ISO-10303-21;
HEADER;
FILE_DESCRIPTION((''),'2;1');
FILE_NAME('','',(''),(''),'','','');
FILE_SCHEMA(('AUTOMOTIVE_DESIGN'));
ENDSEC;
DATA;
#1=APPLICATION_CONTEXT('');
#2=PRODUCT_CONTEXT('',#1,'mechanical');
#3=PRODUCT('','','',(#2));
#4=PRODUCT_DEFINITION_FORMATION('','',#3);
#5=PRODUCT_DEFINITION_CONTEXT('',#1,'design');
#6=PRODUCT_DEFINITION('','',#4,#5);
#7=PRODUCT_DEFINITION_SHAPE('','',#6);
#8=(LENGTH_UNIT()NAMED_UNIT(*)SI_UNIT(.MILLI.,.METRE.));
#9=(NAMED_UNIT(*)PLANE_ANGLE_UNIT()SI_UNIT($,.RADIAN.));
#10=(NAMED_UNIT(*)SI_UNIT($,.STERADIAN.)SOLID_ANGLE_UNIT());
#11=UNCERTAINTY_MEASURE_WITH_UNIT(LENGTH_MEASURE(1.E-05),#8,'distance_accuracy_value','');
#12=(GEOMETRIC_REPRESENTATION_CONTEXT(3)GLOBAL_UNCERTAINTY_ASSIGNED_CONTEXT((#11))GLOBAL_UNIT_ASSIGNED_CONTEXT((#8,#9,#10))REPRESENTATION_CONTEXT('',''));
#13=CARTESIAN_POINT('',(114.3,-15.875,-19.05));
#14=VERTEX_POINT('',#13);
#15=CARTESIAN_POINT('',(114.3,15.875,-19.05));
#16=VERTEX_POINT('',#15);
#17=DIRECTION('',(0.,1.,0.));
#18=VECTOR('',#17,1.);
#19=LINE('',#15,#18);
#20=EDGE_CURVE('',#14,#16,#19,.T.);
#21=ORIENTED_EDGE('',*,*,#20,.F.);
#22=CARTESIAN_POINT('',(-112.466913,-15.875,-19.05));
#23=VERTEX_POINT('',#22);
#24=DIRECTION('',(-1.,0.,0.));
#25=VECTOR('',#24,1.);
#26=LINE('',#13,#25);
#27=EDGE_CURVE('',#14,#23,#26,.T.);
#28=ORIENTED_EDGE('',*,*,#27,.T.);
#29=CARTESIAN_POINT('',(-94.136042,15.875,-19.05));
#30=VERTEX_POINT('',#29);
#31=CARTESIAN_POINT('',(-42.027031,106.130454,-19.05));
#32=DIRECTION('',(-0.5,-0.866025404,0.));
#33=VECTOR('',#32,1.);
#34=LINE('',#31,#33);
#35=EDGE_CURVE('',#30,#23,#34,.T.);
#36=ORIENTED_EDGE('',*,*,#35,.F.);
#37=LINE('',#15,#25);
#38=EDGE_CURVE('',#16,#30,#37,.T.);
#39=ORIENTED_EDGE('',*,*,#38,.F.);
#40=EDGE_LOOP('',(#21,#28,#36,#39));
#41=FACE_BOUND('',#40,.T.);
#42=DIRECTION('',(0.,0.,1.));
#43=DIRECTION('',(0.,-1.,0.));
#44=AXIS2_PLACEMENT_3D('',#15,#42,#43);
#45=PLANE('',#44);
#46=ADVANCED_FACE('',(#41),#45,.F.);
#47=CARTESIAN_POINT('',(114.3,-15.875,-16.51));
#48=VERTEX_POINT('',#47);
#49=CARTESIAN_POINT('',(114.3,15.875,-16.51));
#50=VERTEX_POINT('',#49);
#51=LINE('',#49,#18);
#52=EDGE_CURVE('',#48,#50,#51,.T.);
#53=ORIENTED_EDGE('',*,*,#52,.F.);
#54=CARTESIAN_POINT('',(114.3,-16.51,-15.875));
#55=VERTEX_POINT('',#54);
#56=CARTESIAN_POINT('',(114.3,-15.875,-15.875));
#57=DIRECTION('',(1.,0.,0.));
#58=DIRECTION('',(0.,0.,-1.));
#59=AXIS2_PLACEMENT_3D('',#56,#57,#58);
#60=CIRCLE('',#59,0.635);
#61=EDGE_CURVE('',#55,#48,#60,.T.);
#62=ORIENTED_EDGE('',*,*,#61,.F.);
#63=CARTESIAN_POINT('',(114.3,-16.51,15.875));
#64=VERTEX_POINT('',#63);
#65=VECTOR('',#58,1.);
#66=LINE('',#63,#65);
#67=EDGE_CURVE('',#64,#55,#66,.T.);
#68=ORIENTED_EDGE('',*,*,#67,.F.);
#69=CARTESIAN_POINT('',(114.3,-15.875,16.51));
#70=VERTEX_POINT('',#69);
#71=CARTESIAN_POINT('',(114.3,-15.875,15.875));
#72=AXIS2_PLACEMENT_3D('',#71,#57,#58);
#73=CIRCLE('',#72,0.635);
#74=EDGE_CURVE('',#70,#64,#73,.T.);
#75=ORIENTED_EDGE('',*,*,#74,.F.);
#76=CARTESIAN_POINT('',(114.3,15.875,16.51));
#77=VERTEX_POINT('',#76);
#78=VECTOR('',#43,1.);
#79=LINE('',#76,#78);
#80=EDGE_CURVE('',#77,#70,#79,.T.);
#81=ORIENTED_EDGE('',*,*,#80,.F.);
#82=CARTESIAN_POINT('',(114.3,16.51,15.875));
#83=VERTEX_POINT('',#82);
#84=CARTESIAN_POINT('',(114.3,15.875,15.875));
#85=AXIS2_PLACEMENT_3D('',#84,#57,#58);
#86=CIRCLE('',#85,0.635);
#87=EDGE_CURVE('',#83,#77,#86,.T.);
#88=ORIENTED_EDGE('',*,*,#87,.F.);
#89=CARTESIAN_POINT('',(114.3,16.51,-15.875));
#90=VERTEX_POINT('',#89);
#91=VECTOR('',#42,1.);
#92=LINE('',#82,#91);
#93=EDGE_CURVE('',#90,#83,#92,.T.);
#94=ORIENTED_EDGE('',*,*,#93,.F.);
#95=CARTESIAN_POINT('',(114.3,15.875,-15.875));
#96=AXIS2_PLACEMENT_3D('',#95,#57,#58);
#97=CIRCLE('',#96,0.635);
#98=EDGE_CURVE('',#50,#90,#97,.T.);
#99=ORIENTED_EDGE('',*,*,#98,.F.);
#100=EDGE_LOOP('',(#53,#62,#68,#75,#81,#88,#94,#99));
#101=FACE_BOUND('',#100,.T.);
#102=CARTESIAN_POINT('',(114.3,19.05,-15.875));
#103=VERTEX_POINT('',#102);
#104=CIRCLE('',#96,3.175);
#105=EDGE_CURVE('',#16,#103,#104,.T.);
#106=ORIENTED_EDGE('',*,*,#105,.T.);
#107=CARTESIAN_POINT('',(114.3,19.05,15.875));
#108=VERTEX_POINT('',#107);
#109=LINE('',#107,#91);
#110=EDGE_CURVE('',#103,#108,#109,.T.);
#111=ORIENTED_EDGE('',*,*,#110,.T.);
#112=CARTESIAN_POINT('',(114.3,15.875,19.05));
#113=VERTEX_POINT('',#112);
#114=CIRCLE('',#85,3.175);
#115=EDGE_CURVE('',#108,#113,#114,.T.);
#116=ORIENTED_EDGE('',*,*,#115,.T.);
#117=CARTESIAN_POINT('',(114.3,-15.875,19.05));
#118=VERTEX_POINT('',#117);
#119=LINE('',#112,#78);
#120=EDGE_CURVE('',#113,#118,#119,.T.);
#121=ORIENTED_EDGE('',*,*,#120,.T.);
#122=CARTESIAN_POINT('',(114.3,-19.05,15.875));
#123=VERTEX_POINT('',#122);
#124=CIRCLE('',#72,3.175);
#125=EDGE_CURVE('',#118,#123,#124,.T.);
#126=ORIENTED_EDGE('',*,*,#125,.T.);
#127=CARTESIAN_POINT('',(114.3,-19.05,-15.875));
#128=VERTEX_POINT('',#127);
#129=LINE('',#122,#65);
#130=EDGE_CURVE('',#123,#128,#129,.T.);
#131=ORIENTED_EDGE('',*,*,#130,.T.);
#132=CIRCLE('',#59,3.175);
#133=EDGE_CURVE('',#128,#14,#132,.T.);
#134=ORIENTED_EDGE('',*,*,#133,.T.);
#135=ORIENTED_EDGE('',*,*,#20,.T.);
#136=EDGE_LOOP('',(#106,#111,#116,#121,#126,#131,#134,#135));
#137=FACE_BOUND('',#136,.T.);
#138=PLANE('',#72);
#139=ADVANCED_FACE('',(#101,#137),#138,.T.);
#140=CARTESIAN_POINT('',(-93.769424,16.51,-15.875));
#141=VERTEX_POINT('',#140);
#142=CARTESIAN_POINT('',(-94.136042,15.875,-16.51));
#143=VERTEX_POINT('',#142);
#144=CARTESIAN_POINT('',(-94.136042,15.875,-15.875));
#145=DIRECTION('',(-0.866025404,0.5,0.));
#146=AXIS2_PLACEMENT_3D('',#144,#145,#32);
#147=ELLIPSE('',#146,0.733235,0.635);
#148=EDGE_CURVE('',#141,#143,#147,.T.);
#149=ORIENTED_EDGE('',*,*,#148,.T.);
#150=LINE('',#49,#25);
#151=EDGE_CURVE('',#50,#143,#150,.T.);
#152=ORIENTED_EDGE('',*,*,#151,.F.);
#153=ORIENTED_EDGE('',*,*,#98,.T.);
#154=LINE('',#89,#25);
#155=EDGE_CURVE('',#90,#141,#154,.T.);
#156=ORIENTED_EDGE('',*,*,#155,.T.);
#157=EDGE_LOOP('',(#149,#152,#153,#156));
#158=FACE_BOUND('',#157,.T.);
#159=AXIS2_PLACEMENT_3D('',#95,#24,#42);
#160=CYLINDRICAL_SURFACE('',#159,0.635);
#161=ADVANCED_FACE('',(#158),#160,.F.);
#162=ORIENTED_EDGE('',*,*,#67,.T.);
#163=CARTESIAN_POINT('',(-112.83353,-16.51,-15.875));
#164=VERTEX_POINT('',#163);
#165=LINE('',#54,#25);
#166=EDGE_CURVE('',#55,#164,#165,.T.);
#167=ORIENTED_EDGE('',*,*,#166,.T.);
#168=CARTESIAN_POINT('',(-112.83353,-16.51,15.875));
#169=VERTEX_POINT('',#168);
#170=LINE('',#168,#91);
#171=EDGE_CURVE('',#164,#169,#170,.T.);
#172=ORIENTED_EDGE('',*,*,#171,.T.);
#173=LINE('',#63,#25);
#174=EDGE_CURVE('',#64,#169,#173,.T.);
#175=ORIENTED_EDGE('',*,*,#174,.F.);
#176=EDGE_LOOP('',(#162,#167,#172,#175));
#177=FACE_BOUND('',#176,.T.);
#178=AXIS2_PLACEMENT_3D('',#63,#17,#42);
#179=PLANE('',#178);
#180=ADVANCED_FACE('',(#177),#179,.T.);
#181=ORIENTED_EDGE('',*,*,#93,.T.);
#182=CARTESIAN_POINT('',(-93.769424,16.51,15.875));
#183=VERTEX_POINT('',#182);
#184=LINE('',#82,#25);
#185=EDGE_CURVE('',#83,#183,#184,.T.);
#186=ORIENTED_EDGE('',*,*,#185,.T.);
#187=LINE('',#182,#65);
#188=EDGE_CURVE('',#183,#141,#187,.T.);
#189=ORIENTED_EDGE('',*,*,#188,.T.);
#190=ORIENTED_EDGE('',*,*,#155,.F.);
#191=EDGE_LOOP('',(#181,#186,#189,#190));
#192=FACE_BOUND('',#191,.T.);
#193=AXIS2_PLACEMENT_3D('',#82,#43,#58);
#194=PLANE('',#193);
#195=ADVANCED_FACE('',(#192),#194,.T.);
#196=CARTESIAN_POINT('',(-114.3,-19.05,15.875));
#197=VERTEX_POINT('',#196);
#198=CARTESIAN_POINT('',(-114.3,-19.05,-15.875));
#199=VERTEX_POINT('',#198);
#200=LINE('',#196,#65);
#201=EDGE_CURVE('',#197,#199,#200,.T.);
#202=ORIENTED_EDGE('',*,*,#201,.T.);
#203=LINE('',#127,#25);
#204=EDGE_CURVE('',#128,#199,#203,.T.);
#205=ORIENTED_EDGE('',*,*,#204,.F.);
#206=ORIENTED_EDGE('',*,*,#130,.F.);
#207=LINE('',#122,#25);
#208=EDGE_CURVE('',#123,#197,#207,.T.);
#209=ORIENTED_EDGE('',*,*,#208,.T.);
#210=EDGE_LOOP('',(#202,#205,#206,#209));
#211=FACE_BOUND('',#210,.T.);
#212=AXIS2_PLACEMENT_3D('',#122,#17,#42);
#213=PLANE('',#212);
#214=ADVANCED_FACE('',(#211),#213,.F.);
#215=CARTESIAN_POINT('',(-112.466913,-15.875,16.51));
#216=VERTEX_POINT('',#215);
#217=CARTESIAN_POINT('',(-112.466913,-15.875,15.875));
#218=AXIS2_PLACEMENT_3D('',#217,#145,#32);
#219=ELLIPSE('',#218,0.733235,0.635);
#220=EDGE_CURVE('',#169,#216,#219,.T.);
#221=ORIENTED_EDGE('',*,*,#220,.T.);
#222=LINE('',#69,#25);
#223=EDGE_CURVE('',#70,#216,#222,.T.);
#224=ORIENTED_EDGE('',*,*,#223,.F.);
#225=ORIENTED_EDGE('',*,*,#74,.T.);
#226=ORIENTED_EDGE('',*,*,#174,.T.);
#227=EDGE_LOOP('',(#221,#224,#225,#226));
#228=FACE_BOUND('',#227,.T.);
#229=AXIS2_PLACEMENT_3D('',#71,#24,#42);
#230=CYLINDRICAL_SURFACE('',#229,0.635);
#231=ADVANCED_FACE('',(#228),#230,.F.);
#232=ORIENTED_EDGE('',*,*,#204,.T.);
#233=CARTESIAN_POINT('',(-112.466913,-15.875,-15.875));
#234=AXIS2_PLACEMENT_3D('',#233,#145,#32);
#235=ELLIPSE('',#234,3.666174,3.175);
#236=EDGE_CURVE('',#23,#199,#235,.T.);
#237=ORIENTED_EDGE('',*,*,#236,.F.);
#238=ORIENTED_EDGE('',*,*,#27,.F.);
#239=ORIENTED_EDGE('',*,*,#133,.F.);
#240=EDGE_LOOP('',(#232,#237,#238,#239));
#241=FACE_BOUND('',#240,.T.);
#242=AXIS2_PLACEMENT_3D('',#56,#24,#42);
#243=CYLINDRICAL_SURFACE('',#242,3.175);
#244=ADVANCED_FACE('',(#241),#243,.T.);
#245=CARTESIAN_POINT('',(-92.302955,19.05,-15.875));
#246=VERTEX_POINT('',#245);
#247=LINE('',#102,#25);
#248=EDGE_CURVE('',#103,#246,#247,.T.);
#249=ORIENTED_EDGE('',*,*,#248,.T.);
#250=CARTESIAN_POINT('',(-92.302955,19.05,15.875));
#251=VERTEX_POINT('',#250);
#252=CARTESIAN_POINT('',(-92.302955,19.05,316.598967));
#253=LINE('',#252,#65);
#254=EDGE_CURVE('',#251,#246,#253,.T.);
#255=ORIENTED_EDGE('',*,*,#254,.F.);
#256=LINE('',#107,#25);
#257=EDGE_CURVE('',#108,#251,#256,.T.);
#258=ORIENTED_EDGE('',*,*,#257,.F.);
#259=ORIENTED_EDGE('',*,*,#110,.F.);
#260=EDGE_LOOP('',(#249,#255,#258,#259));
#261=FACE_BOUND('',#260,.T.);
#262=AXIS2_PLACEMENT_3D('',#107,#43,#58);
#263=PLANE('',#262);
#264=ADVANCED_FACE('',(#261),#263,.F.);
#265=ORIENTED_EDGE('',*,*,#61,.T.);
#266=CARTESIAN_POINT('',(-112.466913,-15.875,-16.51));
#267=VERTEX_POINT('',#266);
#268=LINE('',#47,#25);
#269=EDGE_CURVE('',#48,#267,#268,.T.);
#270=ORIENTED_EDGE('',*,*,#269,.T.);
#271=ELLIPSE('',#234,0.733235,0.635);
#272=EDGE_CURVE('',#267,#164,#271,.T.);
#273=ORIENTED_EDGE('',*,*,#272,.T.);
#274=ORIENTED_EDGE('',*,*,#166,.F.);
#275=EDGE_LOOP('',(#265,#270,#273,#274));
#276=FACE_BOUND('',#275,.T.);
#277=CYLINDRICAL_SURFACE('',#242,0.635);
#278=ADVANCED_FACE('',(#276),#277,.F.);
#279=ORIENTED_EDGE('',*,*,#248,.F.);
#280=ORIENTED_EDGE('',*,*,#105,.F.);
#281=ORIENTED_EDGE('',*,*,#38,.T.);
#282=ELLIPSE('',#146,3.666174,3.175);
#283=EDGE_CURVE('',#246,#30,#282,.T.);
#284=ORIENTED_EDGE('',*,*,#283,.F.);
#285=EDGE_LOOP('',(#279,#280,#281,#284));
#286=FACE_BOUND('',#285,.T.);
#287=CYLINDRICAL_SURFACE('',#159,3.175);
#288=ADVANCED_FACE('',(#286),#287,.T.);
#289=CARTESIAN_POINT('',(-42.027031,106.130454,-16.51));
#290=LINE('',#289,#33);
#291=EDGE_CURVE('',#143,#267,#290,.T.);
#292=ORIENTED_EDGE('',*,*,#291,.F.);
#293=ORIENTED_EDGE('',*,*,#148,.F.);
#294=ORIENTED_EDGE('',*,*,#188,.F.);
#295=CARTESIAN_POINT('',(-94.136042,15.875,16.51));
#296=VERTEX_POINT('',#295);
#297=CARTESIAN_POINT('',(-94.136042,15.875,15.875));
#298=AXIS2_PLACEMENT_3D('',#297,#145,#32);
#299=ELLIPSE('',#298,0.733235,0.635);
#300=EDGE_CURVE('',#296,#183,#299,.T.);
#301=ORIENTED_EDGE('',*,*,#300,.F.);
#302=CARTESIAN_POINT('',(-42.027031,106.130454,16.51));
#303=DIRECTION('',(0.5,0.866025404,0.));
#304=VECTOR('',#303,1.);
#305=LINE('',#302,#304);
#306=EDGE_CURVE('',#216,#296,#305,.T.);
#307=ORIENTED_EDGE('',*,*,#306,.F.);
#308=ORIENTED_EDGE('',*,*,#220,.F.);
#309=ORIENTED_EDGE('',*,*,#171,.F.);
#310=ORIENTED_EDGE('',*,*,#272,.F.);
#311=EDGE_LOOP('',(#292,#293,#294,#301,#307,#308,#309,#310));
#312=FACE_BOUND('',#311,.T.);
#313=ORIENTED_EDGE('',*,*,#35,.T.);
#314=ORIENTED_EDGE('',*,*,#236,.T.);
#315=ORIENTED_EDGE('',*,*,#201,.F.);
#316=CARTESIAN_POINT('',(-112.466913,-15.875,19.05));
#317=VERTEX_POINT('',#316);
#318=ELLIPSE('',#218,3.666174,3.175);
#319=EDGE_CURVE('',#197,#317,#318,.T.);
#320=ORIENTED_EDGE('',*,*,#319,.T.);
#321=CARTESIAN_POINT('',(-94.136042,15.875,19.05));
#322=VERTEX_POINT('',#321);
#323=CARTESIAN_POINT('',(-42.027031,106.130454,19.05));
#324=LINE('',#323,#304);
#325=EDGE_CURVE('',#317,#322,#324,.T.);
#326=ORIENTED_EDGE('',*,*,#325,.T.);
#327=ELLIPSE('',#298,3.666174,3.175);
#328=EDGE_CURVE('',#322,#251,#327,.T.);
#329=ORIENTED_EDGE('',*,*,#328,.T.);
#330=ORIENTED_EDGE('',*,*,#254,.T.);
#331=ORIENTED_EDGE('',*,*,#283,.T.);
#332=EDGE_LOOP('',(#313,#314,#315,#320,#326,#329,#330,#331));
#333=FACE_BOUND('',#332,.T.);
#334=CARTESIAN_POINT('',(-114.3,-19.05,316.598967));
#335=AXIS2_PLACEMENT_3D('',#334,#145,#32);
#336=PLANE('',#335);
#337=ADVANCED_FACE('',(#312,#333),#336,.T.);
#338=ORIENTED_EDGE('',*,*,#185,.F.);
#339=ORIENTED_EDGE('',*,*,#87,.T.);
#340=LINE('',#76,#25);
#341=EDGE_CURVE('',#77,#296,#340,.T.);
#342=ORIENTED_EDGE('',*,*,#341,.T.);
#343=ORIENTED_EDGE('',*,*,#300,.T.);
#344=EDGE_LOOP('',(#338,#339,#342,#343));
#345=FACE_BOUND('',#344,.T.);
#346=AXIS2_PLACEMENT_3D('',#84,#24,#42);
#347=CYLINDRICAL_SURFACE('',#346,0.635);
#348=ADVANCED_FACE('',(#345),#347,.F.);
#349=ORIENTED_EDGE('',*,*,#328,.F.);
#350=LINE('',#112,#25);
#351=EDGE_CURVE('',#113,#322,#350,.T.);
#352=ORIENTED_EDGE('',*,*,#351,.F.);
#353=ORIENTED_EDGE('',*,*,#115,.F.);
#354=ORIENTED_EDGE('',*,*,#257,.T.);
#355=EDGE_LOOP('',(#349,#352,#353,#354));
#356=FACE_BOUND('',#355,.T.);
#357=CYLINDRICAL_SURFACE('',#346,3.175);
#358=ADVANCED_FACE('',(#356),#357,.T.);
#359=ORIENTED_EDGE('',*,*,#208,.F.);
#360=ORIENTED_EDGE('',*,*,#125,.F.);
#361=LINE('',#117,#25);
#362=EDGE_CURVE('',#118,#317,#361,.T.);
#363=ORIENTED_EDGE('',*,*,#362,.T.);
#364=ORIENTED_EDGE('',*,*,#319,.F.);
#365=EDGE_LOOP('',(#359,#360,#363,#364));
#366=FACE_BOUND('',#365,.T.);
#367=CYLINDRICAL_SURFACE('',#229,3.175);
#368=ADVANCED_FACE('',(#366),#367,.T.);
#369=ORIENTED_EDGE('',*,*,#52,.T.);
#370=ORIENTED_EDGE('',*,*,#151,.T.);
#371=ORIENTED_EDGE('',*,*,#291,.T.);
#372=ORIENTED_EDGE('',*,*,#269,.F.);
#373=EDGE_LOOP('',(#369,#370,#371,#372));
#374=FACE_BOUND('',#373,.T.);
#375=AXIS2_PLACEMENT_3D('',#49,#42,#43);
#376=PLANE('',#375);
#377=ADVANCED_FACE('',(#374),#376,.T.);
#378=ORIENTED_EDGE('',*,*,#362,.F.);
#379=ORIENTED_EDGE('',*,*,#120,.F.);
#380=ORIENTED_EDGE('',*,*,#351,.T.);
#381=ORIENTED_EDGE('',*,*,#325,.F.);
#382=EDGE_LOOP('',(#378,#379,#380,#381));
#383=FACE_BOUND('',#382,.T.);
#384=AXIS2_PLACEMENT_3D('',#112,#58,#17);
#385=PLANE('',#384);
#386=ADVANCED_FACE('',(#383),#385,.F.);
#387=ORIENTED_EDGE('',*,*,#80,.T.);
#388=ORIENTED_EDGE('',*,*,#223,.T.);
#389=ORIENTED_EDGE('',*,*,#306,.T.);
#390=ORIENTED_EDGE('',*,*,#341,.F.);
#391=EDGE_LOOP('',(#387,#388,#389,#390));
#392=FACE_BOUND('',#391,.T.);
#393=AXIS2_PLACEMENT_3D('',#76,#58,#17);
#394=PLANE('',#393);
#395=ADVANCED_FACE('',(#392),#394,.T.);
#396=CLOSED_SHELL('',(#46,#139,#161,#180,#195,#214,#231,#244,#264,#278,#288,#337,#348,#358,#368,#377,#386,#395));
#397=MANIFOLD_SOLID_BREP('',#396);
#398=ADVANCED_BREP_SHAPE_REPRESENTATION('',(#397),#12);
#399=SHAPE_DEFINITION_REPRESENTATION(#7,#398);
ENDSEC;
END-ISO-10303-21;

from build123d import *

# Parameters (mm, degrees)
EXTRUDE_THIN1_DEPTH     = 114.3
CUT_EXTRUDE1_DEPTH      = 1
CUT_EXTRUDE1_DEPTH_BACK = 39.1


with BuildPart() as part:
    # Sketch1 → Extrude-Thin1 (new body, symmetric)
    with BuildSketch(Plane(origin=(0, 0, 0), x_dir=(0, 0, -1), z_dir=(1, 0, 0))):
        with BuildLine():
            Line((-15.875, 19.05), (15.875, 19.05))
            ThreePointArc((15.875, 19.05), (18.12006403, 18.12006403), (19.05, 15.875))
            Line((19.05, 15.875), (19.05, -15.875))
            ThreePointArc((19.05, -15.875), (18.12006403, -18.12006403), (15.875, -19.05))
            Line((15.875, -19.05), (-15.875, -19.05))
            ThreePointArc((-15.875, -19.05), (-18.12006403, -18.12006403), (-19.05, -15.875))
            Line((-19.05, -15.875), (-19.05, 15.875))
            ThreePointArc((-19.05, 15.875), (-18.12006403, 18.12006403), (-15.875, 19.05))
        make_face()
        with BuildLine():
            Line((-15.875, 16.51), (15.875, 16.51))
            ThreePointArc((15.875, 16.51), (16.324012806, 16.324012806), (16.51, 15.875))
            Line((16.51, 15.875), (16.51, -15.875))
            ThreePointArc((16.51, -15.875), (16.324012806, -16.324012806), (15.875, -16.51))
            Line((15.875, -16.51), (-15.875, -16.51))
            ThreePointArc((-15.875, -16.51), (-16.324012806, -16.324012806), (-16.51, -15.875))
            Line((-16.51, -15.875), (-16.51, 15.875))
            ThreePointArc((-16.51, 15.875), (-16.324012806, 16.324012806), (-15.875, 16.51))
        make_face(mode=Mode.SUBTRACT)
    extrude(amount=EXTRUDE_THIN1_DEPTH, both=True)

    # Sketch2 → Cut-Extrude1 (cut, two sides)
    with BuildSketch(Plane.XY.offset(19.05)) as cut_extrude1_sk:
        Polygon((-351.053252404, -429.118662022), (-114.3, -19.05), (-92.302954744, 19.05), (144.45029766, 429.118662022), (-675.687026383, 902.62516683), (-1171.190576447, 44.387842787), align=None)
    extrude(amount=CUT_EXTRUDE1_DEPTH, mode=Mode.SUBTRACT)
    extrude(cut_extrude1_sk.sketch, amount=-CUT_EXTRUDE1_DEPTH_BACK, mode=Mode.SUBTRACT)


solid = part.part
